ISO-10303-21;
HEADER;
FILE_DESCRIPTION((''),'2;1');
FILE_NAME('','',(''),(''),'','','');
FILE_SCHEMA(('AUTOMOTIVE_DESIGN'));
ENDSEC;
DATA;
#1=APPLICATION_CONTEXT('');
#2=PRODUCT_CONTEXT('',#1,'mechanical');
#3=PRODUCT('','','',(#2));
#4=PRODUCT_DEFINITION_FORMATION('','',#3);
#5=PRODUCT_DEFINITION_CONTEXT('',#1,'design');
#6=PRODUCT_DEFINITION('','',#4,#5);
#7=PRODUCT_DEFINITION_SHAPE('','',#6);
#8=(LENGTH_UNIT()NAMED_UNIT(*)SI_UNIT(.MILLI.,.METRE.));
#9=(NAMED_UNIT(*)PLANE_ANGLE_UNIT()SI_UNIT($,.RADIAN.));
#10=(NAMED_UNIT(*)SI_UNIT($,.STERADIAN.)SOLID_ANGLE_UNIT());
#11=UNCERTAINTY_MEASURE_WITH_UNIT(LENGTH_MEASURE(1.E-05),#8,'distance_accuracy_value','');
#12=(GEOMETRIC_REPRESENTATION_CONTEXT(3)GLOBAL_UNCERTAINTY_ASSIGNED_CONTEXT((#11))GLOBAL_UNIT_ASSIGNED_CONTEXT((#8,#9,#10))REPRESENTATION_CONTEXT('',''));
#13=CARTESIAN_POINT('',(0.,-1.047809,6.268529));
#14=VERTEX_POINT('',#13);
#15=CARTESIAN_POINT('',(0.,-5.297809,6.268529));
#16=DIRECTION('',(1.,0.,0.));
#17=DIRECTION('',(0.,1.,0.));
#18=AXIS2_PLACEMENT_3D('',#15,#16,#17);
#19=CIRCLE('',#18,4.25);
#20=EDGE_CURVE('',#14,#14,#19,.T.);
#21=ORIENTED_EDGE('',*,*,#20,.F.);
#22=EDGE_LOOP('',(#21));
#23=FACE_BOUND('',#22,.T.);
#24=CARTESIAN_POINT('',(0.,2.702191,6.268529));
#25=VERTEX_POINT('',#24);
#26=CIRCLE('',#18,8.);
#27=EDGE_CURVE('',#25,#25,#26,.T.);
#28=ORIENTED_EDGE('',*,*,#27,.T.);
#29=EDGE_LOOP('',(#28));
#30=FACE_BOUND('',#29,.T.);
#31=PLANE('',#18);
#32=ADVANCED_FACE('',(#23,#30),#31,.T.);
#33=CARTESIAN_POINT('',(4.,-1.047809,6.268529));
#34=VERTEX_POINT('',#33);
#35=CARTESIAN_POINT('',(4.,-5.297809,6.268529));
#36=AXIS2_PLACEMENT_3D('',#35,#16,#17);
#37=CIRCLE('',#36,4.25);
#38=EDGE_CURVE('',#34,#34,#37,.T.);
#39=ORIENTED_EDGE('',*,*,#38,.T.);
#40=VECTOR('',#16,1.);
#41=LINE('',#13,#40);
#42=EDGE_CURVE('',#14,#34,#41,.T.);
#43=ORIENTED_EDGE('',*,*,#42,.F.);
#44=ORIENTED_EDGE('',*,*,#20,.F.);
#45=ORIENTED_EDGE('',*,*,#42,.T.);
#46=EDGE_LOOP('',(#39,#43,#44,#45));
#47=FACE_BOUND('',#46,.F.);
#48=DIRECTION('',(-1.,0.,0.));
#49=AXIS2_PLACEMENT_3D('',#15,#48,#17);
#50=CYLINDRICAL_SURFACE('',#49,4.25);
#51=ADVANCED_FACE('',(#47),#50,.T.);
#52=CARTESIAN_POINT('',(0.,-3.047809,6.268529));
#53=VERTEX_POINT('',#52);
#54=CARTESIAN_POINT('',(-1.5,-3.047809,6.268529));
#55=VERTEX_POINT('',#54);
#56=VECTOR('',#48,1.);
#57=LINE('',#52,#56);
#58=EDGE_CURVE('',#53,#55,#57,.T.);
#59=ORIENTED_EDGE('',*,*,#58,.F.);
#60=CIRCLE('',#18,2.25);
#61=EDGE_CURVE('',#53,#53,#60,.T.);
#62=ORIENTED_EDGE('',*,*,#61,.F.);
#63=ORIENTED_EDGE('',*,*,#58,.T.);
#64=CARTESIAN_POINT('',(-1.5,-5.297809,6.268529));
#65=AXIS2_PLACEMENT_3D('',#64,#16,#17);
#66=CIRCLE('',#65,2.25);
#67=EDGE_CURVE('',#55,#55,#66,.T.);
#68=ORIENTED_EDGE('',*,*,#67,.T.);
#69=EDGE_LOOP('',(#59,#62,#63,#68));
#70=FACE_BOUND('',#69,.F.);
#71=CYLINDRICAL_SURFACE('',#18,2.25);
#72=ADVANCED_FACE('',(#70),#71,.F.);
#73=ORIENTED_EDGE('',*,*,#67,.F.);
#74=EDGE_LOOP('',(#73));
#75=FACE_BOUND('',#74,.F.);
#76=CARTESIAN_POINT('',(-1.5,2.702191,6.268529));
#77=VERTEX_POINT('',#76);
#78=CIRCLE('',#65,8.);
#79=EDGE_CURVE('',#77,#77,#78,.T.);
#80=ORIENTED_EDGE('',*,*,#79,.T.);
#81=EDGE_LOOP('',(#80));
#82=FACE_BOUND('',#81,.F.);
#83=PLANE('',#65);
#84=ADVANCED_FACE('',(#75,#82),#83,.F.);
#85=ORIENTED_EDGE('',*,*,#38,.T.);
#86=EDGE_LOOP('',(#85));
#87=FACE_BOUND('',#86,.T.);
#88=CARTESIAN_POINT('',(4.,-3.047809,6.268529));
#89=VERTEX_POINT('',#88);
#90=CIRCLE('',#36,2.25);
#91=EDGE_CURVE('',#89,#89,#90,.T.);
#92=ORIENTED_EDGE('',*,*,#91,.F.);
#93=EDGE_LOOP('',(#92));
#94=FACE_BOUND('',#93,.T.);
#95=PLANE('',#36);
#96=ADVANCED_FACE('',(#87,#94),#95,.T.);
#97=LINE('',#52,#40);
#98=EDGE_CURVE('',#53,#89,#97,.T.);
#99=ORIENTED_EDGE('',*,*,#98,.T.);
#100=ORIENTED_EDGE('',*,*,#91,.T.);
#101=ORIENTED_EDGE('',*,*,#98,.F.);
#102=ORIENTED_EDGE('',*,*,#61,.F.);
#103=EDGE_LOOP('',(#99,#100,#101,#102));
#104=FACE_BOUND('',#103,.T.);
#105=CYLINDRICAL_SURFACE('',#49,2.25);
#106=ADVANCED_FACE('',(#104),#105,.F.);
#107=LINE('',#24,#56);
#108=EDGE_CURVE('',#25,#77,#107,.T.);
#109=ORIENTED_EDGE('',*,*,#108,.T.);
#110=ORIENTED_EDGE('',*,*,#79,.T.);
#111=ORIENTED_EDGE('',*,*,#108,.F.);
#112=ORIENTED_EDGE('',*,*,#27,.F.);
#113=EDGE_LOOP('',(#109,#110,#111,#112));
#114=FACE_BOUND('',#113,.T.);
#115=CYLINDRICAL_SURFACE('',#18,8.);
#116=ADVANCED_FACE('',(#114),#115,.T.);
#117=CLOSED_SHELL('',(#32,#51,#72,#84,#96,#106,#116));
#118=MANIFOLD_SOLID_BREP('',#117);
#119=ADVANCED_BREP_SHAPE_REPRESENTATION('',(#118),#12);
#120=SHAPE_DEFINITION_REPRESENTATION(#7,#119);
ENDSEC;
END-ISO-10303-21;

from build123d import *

# Parameters (mm, degrees)
F0_R     = 4.25
F0_R_2   = 2.25
F1_DEPTH = 4
F0_R_3   = 8
F0_R_4   = 5
F2_DEPTH = 1.5


with BuildPart() as f1:
    # F0 (on Right) → F1 (new body)
    with BuildSketch(Plane.YZ):
        with Locations((-5.2978091688, 6.2685288617)):
            Circle(F0_R)
        with Locations((-5.2978091688, 6.2685288617)):
            Circle(F0_R_2, mode=Mode.SUBTRACT)
    extrude(amount=F1_DEPTH)

    # F0 (on Right) → F2 (join)
    with BuildSketch(Plane.YZ):
        with Locations((-5.2978091688, 6.2685288617)):
            Circle(F0_R_3)
        with Locations((-5.2978091688, 6.2685288617)):
            Circle(F0_R_4, mode=Mode.SUBTRACT)
        with Locations((-5.2978091688, 6.2685288617)):
            Circle(F0_R_4)
        with Locations((-5.2978091688, 6.2685288617)):
            Circle(F0_R, mode=Mode.SUBTRACT)
        with Locations((-5.2978091688, 6.2685288617)):
            Circle(F0_R)
        with Locations((-5.2978091688, 6.2685288617)):
            Circle(F0_R_2, mode=Mode.SUBTRACT)
    extrude(amount=-F2_DEPTH)


solid = f1.part
